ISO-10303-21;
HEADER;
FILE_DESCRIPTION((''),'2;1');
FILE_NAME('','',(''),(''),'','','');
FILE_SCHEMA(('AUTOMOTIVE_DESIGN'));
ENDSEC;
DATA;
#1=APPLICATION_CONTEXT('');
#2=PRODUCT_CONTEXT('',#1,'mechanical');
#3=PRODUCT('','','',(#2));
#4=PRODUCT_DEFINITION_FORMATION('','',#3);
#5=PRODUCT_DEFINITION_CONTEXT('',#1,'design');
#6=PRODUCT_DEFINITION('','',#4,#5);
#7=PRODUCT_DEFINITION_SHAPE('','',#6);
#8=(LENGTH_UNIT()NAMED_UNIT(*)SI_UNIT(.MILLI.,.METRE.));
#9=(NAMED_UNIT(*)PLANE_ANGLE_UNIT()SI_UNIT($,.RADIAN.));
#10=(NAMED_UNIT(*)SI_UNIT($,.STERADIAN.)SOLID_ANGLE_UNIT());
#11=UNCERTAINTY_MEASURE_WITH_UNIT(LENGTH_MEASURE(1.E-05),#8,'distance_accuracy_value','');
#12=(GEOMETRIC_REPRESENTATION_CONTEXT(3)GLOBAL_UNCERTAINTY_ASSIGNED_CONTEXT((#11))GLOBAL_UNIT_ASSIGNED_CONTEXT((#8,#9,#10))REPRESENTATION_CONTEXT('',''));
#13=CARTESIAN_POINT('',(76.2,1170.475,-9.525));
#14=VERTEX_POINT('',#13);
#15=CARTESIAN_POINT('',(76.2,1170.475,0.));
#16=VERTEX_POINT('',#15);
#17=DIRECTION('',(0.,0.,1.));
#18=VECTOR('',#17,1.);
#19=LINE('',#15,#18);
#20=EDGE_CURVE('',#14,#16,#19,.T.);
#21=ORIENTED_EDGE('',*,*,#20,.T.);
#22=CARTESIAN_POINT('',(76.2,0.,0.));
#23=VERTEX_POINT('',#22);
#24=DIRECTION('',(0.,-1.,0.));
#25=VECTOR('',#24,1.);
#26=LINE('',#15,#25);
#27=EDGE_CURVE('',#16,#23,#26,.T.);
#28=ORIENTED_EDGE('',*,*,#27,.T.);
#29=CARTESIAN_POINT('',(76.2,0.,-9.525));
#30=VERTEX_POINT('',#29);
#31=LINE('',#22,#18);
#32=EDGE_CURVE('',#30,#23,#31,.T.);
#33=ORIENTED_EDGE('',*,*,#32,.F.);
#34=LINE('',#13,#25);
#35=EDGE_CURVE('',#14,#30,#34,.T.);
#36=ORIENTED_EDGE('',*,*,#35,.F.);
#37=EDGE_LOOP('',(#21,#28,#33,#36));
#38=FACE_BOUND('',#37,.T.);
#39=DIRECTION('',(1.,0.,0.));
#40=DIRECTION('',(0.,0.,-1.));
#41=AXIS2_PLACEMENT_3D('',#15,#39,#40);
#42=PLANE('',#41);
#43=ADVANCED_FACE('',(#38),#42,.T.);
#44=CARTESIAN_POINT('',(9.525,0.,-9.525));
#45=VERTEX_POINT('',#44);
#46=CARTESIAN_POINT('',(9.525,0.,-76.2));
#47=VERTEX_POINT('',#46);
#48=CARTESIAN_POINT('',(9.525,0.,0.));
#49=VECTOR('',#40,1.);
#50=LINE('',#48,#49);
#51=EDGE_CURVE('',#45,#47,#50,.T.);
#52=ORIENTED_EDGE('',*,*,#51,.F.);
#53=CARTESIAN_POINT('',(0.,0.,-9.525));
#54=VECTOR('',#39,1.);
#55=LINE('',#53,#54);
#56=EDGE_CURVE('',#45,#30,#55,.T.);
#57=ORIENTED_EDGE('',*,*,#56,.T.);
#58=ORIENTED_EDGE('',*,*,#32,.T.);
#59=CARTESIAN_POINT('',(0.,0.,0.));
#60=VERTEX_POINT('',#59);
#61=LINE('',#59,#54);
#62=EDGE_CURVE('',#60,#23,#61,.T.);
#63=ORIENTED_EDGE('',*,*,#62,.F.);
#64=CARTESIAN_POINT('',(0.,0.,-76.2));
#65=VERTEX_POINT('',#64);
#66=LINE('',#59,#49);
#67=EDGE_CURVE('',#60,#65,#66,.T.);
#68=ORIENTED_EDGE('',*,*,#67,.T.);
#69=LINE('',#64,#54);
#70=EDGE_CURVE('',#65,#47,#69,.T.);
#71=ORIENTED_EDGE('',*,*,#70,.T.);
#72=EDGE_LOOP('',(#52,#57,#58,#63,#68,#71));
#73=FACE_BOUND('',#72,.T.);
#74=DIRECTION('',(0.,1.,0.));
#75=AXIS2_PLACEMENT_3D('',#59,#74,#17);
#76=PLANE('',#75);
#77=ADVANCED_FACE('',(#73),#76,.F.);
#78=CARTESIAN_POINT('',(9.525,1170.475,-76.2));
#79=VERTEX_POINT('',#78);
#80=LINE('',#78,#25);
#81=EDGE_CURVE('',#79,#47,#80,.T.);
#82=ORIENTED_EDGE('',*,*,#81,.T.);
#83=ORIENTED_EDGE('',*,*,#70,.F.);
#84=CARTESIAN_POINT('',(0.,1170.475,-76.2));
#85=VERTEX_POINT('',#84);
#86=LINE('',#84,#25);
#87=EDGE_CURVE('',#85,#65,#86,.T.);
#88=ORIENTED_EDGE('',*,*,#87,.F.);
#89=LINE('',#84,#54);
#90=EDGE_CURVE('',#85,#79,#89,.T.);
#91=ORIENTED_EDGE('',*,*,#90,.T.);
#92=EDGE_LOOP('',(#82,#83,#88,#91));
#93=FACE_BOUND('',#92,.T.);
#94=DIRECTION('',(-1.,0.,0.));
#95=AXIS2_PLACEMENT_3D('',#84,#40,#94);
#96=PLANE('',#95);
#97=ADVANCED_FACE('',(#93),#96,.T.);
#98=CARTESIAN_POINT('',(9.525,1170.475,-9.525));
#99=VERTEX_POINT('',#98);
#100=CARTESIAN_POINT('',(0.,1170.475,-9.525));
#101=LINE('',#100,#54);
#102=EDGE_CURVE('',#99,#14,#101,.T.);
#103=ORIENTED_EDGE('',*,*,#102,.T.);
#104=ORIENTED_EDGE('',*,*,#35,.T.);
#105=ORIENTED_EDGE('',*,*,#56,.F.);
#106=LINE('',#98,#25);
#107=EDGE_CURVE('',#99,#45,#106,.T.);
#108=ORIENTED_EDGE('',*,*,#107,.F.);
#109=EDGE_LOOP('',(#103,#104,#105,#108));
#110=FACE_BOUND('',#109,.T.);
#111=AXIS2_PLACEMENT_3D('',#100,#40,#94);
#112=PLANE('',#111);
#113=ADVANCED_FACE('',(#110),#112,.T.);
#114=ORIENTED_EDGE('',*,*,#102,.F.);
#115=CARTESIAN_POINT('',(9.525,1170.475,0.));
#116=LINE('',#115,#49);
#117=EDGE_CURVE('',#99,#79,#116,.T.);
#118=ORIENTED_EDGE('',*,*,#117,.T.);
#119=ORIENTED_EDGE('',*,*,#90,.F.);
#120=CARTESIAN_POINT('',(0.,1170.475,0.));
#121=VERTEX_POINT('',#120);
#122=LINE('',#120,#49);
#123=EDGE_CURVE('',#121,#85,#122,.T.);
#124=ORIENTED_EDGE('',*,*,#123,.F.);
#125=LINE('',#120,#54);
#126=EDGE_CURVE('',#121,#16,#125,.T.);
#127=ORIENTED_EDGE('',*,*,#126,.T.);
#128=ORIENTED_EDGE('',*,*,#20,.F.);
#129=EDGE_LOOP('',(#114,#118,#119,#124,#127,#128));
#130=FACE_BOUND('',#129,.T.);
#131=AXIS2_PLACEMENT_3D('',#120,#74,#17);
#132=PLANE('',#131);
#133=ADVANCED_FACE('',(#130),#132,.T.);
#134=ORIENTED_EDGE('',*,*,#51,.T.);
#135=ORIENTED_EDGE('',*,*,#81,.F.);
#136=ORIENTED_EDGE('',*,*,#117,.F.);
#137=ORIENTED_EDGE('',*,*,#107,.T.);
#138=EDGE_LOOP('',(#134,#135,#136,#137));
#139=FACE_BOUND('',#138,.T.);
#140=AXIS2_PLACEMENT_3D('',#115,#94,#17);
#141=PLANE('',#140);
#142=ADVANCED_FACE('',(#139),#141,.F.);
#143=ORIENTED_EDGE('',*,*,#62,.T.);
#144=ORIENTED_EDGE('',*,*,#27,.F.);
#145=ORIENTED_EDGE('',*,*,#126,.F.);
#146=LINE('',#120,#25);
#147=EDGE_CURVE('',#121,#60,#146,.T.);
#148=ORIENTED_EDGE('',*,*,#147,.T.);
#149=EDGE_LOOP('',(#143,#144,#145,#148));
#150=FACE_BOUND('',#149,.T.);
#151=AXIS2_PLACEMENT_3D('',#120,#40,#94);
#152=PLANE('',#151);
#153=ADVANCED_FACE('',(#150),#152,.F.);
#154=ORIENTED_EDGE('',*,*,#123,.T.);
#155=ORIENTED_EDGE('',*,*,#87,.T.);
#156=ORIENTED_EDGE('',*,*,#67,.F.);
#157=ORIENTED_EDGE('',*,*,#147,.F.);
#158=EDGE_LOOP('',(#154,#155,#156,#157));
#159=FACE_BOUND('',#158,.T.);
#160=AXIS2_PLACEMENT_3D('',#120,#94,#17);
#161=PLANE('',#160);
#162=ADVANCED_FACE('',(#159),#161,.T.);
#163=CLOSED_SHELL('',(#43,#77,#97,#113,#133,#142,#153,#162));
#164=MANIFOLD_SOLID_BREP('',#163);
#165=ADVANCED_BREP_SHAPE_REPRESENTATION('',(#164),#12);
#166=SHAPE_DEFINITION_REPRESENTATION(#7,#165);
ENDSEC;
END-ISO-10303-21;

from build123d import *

# Parameters (mm, degrees)
SALIENTE_EXTRUIR1_DEPTH = 1170.475


with BuildPart() as part:
    # Croquis1 → Saliente-Extruir1 (new body)
    with BuildSketch(Plane(origin=(0, 0, 0), x_dir=(1, 0, 0), z_dir=(0, 1, 0))):
        Polygon((76.2, 9.525), (76.2, 0), (0, 0), (0, 76.2), (9.525, 76.2), (9.525, 9.525), align=None)
    extrude(amount=SALIENTE_EXTRUIR1_DEPTH)


solid = part.part
